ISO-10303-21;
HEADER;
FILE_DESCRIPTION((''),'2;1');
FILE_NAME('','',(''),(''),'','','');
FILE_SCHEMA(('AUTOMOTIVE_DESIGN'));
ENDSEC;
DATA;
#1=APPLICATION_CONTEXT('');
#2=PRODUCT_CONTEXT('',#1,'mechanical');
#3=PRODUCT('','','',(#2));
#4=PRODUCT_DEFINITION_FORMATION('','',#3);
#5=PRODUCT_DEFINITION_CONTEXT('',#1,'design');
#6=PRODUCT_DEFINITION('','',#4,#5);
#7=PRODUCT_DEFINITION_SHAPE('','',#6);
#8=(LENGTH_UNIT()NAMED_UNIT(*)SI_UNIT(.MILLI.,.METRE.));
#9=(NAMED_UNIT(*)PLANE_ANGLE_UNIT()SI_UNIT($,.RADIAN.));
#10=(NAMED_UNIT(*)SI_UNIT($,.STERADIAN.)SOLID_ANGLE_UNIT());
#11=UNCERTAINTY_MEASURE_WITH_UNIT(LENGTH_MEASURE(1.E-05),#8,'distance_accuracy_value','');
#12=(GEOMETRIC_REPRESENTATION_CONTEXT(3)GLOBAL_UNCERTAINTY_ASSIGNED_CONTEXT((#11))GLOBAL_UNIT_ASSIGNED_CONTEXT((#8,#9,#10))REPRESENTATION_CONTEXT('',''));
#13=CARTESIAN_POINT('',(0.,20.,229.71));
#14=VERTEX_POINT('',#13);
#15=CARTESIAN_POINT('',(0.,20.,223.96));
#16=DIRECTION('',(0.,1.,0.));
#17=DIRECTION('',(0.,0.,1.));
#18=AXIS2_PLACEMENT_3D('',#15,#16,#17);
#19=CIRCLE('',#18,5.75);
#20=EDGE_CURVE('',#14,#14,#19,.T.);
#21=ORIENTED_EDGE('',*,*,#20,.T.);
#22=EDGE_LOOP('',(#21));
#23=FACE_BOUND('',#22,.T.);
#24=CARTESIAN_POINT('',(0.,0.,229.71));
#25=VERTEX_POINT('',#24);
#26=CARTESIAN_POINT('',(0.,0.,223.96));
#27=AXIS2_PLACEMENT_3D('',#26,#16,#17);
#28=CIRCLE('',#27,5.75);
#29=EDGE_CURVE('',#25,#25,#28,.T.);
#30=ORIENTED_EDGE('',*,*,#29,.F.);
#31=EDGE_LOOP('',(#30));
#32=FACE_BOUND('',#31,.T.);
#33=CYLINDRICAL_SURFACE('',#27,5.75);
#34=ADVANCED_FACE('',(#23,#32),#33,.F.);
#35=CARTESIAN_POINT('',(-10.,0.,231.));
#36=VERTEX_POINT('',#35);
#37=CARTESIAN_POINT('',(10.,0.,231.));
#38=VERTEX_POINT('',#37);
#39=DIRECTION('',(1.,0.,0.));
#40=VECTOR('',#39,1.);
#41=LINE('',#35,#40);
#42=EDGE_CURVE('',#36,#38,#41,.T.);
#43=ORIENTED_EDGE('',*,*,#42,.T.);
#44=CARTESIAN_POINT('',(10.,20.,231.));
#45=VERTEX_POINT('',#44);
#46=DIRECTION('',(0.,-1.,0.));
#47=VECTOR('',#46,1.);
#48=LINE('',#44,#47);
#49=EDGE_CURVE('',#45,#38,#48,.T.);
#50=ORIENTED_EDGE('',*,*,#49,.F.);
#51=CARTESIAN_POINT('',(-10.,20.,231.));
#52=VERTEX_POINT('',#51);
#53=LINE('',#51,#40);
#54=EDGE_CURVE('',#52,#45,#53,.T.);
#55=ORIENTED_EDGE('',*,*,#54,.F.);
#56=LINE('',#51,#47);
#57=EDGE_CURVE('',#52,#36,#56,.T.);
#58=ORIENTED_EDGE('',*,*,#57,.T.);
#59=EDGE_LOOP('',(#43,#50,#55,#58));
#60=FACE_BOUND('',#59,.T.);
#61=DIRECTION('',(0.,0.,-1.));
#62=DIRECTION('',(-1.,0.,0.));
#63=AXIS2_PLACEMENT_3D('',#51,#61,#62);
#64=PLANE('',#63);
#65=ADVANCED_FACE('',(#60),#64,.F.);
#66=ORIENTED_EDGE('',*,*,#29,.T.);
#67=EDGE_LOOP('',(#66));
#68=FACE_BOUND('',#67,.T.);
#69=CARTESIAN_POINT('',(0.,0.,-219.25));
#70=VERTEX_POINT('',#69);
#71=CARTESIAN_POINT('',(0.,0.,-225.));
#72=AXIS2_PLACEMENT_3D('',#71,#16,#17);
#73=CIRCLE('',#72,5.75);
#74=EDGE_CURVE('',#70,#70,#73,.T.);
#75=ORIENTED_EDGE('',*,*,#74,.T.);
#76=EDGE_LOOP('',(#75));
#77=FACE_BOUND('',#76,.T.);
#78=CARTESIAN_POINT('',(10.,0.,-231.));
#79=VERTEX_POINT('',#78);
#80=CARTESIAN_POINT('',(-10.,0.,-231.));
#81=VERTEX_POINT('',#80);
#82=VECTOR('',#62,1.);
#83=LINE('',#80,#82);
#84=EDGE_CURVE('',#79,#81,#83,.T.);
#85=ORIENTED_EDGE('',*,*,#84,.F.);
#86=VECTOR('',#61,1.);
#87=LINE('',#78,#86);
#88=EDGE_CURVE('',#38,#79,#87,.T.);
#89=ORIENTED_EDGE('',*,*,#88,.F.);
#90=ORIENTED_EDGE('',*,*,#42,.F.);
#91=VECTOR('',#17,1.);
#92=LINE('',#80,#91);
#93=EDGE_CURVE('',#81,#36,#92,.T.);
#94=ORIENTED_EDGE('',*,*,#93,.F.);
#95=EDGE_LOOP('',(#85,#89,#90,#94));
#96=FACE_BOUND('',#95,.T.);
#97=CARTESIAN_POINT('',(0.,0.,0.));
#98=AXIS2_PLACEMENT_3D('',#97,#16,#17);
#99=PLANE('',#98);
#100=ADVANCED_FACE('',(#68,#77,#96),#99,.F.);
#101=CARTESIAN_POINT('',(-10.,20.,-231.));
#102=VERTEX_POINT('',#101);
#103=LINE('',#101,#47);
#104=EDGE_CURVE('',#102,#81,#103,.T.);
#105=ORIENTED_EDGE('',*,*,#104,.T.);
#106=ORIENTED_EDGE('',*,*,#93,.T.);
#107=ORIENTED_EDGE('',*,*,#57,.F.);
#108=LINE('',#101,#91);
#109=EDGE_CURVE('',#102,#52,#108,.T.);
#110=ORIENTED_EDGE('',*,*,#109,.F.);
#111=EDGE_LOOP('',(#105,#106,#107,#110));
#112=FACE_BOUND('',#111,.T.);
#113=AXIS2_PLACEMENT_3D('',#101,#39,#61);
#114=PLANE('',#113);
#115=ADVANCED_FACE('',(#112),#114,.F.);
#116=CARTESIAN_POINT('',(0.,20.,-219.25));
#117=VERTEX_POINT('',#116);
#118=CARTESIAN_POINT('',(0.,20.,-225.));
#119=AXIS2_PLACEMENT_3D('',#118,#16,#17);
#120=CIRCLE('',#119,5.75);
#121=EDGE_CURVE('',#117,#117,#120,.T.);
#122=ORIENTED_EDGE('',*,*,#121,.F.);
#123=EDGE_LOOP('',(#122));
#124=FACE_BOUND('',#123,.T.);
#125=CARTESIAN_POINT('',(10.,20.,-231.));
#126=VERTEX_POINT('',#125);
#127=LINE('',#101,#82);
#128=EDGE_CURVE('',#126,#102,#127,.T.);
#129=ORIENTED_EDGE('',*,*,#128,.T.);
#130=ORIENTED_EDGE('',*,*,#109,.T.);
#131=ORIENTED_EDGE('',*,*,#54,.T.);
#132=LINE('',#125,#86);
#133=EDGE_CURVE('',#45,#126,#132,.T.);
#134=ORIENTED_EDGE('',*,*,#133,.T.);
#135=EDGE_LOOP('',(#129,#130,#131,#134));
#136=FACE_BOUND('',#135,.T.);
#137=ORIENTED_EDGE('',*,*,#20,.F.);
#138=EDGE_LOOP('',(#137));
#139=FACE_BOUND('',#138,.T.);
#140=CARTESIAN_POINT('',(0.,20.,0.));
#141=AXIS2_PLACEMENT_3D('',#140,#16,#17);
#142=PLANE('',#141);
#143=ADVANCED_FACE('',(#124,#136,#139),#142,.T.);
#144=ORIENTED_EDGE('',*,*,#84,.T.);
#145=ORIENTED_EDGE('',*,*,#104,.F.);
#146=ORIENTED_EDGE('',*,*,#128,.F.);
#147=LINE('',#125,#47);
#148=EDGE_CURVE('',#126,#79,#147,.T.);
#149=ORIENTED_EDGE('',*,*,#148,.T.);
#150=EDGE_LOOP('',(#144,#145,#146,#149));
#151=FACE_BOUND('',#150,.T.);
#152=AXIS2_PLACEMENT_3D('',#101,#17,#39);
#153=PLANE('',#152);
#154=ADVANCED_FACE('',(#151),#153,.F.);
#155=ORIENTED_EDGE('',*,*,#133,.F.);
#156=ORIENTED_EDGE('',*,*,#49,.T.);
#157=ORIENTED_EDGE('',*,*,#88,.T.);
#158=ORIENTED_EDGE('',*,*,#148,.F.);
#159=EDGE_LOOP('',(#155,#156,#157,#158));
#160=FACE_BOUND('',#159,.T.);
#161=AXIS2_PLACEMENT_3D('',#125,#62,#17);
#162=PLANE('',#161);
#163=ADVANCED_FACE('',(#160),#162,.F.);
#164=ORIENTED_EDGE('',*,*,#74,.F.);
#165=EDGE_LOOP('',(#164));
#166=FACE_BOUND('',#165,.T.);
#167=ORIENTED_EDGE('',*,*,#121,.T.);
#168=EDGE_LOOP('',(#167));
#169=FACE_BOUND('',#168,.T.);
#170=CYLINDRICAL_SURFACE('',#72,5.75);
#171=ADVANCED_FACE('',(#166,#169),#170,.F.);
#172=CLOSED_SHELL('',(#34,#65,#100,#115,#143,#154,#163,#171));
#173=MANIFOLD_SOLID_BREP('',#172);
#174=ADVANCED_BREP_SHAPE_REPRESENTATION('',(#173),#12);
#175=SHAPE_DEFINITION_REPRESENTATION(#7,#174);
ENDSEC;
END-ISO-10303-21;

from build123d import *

# Parameters (mm, degrees)
SKETCH1_W           = 20
SKETCH1_H           = 462
BOSS_EXTRUDE1_DEPTH = 20
SKETCH3_R           = 5.75
CUT_EXTRUDE1_DEPTH  = 21


with BuildPart() as part:
    # Sketch1 → Boss-Extrude1 (new body)
    with BuildSketch(Plane(origin=(0, 0, 0), x_dir=(1, 0, 0), z_dir=(0, 1, 0))):
        Rectangle(SKETCH1_W, SKETCH1_H)
    extrude(amount=BOSS_EXTRUDE1_DEPTH)

    # Sketch3 → Cut-Extrude1 (cut, through all)
    with BuildSketch(Plane(origin=(0, 20, 0), x_dir=(1, 0, 0), z_dir=(0, 1, 0))):
        with Locations((0, 225)):
            Circle(SKETCH3_R)
        with Locations((0, -223.96)):
            Circle(SKETCH3_R)
    extrude(amount=-CUT_EXTRUDE1_DEPTH, mode=Mode.SUBTRACT)


solid = part.part
